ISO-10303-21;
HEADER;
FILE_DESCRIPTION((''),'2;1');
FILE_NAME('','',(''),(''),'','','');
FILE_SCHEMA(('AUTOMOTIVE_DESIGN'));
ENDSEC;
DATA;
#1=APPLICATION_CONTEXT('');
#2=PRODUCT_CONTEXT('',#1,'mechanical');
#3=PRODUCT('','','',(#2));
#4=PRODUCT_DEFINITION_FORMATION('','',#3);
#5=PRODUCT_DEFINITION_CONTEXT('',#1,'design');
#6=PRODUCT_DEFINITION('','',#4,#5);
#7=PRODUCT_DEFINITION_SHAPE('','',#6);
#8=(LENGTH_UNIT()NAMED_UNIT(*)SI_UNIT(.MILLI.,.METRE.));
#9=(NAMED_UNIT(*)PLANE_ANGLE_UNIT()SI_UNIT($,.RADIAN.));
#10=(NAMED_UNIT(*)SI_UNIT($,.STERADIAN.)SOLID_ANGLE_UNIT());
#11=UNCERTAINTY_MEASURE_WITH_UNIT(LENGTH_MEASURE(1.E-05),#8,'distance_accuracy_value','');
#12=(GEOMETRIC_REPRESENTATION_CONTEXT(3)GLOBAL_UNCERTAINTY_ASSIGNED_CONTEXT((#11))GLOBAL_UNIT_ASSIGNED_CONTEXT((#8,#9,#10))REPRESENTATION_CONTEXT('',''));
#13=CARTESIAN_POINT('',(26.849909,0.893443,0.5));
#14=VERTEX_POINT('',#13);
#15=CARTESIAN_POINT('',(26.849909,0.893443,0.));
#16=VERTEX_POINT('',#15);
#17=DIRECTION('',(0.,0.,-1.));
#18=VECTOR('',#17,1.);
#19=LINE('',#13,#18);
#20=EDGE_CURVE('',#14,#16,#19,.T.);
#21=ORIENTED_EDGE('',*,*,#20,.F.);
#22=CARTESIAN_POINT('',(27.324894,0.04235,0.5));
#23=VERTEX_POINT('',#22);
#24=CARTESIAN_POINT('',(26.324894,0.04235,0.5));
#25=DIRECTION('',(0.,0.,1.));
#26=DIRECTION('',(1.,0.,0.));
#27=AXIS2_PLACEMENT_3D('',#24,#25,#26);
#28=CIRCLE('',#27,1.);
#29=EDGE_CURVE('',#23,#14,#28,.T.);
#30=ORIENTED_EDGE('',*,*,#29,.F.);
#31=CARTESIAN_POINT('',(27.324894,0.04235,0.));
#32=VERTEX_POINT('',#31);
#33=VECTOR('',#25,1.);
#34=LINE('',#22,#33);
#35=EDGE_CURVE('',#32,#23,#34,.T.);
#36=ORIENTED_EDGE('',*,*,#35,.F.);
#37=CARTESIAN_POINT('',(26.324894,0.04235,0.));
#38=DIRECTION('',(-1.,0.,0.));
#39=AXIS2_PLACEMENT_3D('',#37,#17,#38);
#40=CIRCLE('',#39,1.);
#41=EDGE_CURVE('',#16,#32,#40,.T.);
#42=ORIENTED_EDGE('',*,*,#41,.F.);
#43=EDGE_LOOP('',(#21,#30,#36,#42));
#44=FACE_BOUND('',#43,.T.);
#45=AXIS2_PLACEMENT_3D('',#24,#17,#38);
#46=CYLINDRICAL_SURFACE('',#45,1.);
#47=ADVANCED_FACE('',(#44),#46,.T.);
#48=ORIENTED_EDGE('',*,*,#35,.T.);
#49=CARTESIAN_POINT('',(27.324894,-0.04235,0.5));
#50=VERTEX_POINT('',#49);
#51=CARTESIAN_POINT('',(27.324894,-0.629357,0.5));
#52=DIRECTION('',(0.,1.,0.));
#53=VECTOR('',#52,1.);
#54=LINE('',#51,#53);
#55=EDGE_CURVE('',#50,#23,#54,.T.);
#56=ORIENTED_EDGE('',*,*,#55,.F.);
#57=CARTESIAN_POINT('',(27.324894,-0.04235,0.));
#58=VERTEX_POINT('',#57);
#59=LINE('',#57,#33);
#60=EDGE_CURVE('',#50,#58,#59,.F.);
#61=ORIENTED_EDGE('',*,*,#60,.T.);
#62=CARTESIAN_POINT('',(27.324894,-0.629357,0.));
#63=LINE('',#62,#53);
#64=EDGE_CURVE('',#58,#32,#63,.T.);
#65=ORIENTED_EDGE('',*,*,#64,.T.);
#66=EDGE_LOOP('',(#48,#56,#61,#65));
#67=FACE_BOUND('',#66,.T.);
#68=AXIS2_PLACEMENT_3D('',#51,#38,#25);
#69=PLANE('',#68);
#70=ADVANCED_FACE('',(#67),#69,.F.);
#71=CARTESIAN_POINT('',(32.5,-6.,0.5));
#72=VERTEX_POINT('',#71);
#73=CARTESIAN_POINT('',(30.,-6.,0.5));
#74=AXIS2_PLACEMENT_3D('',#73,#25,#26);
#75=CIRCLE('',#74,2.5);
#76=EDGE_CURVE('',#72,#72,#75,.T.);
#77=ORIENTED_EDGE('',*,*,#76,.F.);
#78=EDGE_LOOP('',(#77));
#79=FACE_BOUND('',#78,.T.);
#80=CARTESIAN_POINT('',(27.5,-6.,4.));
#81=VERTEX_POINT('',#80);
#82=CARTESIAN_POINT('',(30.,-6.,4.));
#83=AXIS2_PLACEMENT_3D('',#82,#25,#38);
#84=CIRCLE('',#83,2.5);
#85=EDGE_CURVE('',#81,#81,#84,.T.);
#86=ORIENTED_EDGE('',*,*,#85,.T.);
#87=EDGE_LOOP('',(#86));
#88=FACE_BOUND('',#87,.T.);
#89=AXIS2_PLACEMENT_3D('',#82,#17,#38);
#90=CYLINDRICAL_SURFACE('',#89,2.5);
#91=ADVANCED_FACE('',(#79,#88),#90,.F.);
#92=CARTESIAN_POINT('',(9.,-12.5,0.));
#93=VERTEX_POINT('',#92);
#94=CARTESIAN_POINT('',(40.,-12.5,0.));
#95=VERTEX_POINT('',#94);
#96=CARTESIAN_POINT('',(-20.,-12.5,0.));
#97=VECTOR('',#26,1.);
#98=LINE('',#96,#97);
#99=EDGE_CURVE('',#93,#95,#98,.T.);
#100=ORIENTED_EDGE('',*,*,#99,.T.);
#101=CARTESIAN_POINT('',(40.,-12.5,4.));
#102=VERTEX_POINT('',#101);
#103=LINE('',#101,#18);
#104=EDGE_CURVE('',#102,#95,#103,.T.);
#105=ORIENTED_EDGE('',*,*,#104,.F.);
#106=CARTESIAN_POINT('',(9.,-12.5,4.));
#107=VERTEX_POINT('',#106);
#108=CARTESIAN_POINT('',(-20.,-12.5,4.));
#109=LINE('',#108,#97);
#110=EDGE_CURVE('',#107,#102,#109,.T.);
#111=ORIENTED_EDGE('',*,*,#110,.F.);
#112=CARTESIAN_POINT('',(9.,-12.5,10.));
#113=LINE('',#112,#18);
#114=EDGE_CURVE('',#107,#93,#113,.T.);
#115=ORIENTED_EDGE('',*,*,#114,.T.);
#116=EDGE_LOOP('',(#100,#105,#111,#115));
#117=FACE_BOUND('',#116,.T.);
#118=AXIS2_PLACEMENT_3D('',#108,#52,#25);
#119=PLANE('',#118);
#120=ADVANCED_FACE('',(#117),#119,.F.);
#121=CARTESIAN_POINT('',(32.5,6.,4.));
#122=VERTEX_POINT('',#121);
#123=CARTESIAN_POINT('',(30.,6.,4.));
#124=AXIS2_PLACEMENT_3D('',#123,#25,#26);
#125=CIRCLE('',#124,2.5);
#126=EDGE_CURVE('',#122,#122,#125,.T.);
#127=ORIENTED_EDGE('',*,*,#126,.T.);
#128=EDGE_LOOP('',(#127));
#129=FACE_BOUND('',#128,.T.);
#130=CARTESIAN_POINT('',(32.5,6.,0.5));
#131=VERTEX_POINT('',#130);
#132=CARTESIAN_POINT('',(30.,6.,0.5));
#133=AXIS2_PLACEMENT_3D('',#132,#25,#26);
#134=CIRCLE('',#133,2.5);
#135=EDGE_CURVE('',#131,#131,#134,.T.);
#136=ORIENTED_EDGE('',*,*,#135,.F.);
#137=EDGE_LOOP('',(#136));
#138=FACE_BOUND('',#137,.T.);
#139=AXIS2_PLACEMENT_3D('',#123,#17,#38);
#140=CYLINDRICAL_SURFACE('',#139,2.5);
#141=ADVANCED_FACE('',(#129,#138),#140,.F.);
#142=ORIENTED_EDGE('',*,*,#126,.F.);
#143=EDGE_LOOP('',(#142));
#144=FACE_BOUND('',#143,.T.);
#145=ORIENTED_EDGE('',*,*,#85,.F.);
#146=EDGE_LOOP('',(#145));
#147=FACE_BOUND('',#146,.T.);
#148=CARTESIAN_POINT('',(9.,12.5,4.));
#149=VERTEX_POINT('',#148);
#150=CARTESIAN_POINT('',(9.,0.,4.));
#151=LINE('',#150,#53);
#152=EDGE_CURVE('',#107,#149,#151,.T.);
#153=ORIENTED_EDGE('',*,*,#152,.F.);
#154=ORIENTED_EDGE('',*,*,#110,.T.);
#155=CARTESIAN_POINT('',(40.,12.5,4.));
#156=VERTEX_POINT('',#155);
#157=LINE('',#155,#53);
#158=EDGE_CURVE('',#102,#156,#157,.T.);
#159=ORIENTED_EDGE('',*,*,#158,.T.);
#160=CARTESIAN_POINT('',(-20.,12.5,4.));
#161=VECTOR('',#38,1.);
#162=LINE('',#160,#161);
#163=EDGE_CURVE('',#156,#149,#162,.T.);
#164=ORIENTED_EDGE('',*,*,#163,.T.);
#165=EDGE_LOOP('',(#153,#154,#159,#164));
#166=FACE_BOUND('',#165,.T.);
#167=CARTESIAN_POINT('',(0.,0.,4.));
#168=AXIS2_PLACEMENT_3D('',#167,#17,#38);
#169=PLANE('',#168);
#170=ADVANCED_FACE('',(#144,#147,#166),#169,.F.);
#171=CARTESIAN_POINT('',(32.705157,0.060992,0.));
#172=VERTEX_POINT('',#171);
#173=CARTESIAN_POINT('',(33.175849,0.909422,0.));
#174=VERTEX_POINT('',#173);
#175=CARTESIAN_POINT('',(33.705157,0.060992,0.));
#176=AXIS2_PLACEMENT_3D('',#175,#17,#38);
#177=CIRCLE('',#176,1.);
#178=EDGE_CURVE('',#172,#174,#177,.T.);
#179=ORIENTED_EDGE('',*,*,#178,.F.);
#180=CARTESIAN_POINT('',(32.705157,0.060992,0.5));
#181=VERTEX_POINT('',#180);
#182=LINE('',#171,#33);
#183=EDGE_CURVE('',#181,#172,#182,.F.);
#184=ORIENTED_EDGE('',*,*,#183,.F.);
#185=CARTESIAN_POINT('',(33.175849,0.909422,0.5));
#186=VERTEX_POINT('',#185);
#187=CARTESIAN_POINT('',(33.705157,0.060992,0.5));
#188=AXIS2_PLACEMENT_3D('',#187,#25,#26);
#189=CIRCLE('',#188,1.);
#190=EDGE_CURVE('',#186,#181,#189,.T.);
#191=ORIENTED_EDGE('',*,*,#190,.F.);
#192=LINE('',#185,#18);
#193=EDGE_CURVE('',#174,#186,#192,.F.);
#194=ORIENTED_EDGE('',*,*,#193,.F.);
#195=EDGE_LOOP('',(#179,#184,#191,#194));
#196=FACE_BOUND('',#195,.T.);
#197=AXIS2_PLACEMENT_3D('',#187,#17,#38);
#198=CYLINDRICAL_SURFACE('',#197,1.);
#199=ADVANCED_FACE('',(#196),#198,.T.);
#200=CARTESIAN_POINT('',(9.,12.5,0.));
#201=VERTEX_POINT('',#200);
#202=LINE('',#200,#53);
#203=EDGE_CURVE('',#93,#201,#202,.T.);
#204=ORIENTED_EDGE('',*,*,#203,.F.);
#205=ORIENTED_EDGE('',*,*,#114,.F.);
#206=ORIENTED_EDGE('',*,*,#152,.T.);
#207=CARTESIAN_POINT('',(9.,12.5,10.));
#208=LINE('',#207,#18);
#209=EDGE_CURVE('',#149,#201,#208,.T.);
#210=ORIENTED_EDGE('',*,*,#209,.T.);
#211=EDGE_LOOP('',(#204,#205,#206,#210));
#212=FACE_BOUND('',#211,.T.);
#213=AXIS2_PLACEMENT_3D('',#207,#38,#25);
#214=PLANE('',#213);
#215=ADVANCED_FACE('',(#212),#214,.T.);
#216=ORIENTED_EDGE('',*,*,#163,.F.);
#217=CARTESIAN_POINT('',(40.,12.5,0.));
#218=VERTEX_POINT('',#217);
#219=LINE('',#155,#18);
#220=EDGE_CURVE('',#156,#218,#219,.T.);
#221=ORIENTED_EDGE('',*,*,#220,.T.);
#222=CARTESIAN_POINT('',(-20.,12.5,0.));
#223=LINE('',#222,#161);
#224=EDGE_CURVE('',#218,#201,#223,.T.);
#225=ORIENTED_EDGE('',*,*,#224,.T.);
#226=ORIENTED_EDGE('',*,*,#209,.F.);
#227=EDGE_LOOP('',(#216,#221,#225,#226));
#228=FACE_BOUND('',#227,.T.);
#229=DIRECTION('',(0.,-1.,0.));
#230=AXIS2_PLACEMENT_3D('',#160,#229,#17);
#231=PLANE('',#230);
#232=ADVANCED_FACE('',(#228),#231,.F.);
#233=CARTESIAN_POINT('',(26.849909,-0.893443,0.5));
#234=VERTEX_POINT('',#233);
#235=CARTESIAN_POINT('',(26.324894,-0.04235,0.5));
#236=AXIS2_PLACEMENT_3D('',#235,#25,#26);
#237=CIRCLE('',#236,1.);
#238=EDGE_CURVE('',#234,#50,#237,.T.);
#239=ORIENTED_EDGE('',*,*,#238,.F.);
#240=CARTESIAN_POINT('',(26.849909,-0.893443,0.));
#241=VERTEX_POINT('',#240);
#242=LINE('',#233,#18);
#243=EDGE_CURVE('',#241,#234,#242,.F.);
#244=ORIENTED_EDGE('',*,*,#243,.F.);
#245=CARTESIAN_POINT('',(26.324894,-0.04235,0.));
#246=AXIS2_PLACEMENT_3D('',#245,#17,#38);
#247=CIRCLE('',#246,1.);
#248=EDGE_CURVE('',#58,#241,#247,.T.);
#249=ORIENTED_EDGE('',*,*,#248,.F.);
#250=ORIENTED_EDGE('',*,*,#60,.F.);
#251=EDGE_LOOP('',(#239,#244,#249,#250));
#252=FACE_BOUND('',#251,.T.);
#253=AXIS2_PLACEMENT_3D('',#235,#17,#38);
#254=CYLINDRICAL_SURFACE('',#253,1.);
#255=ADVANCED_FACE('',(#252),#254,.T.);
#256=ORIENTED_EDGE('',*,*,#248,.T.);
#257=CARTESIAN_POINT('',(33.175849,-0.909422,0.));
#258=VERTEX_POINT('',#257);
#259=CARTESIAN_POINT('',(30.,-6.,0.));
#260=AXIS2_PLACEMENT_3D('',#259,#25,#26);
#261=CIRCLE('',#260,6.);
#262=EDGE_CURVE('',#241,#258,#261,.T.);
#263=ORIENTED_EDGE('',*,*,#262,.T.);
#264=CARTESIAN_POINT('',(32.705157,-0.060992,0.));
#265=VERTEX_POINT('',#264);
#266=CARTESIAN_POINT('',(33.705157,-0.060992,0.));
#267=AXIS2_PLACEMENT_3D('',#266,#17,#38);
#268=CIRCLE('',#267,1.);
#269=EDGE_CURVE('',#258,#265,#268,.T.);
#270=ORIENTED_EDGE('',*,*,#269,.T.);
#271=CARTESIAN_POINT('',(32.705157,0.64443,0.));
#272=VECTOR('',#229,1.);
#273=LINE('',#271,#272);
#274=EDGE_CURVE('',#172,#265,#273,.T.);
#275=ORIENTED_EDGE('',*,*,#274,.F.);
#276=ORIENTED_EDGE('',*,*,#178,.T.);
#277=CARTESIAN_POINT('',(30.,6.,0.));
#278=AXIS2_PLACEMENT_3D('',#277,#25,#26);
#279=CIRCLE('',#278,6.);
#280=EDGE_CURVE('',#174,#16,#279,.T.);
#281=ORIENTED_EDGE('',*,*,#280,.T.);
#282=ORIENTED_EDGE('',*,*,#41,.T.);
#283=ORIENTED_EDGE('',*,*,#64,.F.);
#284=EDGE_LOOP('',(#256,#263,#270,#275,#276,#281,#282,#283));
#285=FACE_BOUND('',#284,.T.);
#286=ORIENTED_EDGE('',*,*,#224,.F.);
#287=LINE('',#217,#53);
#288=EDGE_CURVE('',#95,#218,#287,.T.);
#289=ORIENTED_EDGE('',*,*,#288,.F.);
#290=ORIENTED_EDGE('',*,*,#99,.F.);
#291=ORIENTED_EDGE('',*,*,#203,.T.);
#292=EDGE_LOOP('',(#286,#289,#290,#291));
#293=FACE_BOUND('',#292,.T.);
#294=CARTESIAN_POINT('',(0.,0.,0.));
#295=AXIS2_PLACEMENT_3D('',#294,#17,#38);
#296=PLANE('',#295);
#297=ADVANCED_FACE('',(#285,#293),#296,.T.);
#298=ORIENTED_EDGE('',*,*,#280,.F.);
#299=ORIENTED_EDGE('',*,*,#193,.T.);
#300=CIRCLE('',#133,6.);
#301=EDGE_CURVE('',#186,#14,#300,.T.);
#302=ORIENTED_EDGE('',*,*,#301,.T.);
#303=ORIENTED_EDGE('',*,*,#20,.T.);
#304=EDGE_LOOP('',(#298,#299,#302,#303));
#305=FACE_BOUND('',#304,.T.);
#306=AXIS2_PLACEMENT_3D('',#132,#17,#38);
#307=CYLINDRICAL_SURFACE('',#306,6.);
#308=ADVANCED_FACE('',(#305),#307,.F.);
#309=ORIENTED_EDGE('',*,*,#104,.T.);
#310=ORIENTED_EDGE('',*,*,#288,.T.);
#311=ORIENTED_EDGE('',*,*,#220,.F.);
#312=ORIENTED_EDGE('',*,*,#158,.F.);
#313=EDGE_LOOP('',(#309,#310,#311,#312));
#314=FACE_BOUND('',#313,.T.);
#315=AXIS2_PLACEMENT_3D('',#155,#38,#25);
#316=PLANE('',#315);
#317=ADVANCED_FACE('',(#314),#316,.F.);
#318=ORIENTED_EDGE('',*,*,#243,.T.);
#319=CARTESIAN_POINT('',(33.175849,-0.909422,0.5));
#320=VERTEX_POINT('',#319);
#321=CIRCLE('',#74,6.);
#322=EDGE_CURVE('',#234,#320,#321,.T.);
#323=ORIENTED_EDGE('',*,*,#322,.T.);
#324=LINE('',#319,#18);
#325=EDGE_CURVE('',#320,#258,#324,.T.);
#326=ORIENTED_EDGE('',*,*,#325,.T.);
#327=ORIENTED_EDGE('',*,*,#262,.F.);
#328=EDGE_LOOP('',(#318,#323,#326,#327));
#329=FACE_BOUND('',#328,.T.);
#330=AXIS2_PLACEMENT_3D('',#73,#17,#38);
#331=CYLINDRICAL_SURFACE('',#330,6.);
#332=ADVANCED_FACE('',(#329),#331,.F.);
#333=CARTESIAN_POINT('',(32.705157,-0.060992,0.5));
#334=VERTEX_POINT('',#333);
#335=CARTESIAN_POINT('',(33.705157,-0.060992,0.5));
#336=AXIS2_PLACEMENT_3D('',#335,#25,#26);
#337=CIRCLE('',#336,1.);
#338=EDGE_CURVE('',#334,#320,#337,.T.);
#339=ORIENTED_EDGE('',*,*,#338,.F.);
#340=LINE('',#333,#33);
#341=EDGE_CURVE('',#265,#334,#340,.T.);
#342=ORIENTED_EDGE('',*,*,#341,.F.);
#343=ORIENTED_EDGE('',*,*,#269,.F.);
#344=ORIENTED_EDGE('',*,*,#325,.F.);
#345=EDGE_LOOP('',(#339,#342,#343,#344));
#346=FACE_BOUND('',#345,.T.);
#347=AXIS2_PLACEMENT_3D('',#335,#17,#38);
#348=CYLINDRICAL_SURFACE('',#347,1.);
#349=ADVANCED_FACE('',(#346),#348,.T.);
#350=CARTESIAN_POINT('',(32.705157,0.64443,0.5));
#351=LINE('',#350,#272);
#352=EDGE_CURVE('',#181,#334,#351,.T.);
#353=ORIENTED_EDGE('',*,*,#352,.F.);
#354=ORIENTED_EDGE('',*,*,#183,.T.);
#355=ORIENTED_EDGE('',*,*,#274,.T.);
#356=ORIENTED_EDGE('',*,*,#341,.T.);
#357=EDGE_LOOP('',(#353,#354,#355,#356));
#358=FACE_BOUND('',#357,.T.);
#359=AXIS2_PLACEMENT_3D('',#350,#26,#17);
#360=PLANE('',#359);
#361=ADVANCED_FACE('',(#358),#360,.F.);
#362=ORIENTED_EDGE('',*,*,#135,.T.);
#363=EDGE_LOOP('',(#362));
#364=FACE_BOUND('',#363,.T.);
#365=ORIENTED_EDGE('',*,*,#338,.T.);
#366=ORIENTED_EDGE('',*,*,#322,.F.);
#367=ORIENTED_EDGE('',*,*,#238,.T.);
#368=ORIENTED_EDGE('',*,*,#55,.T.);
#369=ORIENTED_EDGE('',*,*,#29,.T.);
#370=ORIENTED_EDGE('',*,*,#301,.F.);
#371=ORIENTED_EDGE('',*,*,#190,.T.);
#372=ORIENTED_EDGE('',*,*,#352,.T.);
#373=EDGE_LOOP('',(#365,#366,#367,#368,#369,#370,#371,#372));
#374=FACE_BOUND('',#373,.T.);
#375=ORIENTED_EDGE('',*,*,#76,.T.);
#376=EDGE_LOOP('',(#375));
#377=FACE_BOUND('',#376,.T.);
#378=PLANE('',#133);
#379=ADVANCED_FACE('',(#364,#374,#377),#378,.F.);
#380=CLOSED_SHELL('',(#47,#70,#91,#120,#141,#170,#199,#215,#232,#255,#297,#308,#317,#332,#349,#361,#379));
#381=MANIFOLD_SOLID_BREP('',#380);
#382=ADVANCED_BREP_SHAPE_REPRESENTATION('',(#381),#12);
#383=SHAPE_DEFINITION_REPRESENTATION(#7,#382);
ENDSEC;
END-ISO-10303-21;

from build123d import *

# Parameters (mm, degrees)
SKETCH1_W               = 40
SKETCH1_H               = 25
BOSS_EXTRUDE1_DEPTH     = 4
SKETCH7_W               = 9
SKETCH7_H               = 25
CUT_EXTRUDE5_DEPTH      = 21
SKETCH8_W               = 20
SKETCH8_H               = 25
BOSS_EXTRUDE2_DEPTH     = 4
CUT_EXTRUDE6_DEPTH      = 43.09809972
CUT_EXTRUDE6_DEPTH_BACK = 43.09809972
SKETCH9_R               = 2.5
CUT_EXTRUDE7_DEPTH      = 0.5
FILLET1_R               = 1
SKETCH11_W              = 20
SKETCH11_H              = 25
CUT_EXTRUDE8_DEPTH      = 10


with BuildPart() as part:
    # Sketch1 → Boss-Extrude1 (new body)
    with BuildSketch(Plane.XY):
        Rectangle(SKETCH1_W, SKETCH1_H)
    extrude(amount=BOSS_EXTRUDE1_DEPTH)

    # Sketch7 → Cut-Extrude5 (cut)
    with BuildSketch(Plane.XY):
        with Locations((-15.5, 0)):
            Rectangle(SKETCH7_W, SKETCH7_H)
    extrude(amount=CUT_EXTRUDE5_DEPTH, mode=Mode.SUBTRACT)

    # Sketch8 → Boss-Extrude2 (add)
    with BuildSketch(Plane.XY):
        with Locations((30, 0)):
            Rectangle(SKETCH8_W, SKETCH8_H)
    extrude(amount=BOSS_EXTRUDE2_DEPTH)

    # Sketch9 → Cut-Extrude6 (cut, two sides: drawn at the far end of the back side and taken through both)
    with BuildSketch(Plane.XY.offset(-CUT_EXTRUDE6_DEPTH_BACK)):
        with Locations(Location((30, 6, 0), (0, 0, 180))):
            Circle(SKETCH9_R)
        with Locations(Location((30, -6, 0), (0, 0, 180))):
            Circle(SKETCH9_R)
    extrude(amount=CUT_EXTRUDE6_DEPTH + CUT_EXTRUDE6_DEPTH_BACK, mode=Mode.SUBTRACT)

    # Sketch10 → Cut-Extrude7 (cut)
    with BuildSketch(Plane.XY):
        with BuildLine():
            Line((32.705156976, 0.644430401), (32.705156976, -0.644430401))
            ThreePointArc((32.705156976, -0.644430401), (29.983190138, -11.999976452), (27.324894168, -0.629356762))
            Line((27.324894168, -0.629356762), (27.324894168, 0.629356762))
            ThreePointArc((27.324894168, 0.629356762), (29.983190138, 11.999976452), (32.705156976, 0.644430401))
        make_face()
    extrude(amount=CUT_EXTRUDE7_DEPTH, mode=Mode.SUBTRACT)

    # Fillet1
    fillet1_edges = [part.edges().sort_by_distance(p)[0] for p in [
        (27.324894168, 0.629356762, 0.25),
        (27.324894168, -0.629356762, 0.25),
        (32.705156976, -0.644430401, 0.25),
        (32.705156976, 0.644430401, 0.25),
    ]]
    fillet(fillet1_edges, radius=FILLET1_R)

    # Sketch11 → Cut-Extrude8 (cut)
    with BuildSketch(Plane.XY):
        with Locations((-1, 0)):
            Rectangle(SKETCH11_W, SKETCH11_H)
    extrude(amount=CUT_EXTRUDE8_DEPTH, mode=Mode.SUBTRACT)


solid = part.part
